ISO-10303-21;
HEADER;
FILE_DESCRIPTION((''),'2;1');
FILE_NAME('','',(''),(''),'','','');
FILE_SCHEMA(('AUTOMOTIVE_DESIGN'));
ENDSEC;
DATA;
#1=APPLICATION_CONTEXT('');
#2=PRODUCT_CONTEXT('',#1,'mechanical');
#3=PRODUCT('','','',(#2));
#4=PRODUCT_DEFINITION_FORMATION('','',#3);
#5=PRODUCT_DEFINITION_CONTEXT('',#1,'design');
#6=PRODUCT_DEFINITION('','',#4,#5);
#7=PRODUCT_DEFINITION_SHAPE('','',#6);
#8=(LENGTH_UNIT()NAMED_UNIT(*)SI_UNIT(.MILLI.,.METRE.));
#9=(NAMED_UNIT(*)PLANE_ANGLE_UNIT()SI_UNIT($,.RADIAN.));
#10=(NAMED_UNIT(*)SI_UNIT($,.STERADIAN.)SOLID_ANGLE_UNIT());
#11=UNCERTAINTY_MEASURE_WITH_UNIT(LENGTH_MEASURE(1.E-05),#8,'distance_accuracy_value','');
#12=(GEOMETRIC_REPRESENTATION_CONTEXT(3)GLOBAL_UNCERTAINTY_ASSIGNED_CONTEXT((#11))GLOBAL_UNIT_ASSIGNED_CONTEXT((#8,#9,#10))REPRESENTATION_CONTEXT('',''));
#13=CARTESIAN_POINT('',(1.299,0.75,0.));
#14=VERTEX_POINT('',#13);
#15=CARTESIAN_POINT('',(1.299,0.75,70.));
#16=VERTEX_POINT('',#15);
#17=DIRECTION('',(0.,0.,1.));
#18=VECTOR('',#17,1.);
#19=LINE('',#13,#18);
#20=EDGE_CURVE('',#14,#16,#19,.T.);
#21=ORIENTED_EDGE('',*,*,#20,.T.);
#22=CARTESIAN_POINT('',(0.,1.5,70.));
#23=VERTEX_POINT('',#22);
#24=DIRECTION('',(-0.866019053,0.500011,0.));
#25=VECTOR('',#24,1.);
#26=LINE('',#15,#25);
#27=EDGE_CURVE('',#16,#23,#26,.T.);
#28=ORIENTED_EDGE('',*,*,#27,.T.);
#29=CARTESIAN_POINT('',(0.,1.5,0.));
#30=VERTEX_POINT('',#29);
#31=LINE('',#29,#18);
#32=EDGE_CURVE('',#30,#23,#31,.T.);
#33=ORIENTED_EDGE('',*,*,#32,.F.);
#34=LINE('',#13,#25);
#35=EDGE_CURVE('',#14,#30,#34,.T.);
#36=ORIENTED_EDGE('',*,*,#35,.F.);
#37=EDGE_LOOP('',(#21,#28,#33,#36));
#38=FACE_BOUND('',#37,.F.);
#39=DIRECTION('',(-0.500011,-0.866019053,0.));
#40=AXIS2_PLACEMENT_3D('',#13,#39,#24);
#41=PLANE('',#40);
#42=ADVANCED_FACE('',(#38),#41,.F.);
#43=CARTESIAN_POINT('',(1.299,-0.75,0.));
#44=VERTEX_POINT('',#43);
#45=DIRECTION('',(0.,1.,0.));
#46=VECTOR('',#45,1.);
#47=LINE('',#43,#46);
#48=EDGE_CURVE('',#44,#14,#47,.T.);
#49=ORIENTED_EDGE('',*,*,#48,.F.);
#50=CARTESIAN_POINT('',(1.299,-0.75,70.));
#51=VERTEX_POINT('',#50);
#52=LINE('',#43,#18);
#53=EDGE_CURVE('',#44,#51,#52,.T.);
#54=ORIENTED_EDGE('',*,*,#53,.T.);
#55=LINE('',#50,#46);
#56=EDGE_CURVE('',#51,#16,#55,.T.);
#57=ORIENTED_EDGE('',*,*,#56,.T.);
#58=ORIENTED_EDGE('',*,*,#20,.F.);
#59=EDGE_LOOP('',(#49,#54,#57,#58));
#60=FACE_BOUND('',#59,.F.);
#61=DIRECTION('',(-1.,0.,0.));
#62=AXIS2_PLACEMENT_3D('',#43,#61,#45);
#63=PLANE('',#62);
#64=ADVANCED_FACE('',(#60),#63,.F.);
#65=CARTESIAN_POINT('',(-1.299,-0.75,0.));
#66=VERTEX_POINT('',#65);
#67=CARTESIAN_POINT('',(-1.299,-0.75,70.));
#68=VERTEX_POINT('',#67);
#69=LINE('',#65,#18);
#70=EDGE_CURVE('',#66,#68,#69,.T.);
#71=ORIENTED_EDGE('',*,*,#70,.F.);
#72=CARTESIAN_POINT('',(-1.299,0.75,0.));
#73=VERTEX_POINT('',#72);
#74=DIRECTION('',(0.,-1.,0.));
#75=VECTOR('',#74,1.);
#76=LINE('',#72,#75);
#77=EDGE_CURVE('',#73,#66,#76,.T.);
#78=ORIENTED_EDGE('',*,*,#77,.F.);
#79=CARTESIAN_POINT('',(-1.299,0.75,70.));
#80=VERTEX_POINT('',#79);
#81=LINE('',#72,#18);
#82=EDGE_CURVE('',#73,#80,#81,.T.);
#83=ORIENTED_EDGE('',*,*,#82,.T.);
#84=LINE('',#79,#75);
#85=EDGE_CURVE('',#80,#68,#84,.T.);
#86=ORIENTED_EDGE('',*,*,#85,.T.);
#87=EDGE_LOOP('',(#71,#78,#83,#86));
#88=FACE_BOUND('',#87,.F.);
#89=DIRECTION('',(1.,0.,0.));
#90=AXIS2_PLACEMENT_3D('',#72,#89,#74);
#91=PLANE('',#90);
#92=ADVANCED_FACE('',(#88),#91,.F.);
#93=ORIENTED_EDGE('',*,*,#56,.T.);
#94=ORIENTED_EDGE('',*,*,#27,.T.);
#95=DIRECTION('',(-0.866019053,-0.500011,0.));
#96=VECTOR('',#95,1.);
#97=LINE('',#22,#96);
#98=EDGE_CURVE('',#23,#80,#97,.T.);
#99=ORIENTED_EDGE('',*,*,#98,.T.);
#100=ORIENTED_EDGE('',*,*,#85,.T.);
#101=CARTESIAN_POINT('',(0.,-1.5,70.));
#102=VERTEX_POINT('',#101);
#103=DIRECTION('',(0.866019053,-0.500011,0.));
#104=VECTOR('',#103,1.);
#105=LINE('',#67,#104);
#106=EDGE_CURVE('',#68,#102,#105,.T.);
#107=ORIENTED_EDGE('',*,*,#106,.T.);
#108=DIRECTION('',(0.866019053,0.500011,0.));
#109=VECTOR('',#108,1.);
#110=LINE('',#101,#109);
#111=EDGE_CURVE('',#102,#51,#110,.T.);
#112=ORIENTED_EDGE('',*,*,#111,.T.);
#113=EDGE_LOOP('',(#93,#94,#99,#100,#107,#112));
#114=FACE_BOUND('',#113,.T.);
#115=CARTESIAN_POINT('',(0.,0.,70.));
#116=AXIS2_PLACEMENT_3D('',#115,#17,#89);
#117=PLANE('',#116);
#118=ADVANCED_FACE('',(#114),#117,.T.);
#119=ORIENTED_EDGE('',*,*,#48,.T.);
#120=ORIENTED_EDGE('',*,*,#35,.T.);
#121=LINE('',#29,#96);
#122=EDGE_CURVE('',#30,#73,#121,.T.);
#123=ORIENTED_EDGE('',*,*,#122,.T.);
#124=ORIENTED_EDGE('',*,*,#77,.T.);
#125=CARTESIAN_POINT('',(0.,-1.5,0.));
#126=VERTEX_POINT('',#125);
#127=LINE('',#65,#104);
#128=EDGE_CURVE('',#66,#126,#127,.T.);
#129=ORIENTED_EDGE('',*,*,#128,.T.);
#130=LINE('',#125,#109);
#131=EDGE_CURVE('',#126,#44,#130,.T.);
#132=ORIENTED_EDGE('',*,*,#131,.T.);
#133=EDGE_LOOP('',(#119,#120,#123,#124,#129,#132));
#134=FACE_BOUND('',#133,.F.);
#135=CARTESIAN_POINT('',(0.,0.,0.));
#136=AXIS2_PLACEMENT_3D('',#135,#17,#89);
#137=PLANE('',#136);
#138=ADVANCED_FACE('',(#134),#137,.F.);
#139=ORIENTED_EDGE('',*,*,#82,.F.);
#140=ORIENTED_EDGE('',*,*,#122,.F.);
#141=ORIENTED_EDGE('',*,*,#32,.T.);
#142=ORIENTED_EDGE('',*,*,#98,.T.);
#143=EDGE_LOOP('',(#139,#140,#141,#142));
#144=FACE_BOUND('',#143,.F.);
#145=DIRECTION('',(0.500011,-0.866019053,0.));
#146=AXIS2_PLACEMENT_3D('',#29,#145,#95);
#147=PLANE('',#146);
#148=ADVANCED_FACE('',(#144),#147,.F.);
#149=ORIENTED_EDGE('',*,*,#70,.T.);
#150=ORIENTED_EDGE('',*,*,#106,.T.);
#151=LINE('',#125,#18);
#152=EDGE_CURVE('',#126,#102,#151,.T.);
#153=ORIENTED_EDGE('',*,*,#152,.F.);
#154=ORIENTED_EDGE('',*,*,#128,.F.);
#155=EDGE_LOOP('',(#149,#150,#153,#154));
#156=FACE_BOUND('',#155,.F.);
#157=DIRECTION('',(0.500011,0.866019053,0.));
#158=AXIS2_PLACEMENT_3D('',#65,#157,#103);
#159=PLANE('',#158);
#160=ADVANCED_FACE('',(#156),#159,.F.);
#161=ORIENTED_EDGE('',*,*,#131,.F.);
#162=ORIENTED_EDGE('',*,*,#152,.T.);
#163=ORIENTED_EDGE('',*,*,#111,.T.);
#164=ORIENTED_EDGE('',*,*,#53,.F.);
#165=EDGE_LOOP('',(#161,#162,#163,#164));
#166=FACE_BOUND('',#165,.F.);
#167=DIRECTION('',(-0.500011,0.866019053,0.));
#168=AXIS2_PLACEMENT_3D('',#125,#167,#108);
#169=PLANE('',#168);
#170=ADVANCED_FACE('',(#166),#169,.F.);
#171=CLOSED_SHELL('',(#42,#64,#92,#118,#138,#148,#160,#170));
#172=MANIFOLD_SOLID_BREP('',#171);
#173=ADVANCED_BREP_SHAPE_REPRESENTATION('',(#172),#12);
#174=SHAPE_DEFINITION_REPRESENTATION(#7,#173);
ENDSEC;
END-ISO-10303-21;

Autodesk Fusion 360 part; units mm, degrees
sketch "スケッチ1" plane through (0, 0, 0) normal (0, 0, 1) x (1, 0, 0)
  line L0 (1.299, -0.75) -> (1.299, 0.75)
  line L1 (1.299, 0.75) -> (0, 1.5)
  line L2 (0, 1.5) -> (-1.299, 0.75)
  line L3 (-1.299, 0.75) -> (-1.299, -0.75)
  line L4 (-1.299, -0.75) -> (0, -1.5)
  line L5 (0, -1.5) -> (1.299, -0.75)
  dimension "d1" = 1.5
extrude "押し出し1" add sketch "スケッチ1" along normal blind 70
equation "d2 = 28 mm + ( 21 * 2 ) * 1 mm"
